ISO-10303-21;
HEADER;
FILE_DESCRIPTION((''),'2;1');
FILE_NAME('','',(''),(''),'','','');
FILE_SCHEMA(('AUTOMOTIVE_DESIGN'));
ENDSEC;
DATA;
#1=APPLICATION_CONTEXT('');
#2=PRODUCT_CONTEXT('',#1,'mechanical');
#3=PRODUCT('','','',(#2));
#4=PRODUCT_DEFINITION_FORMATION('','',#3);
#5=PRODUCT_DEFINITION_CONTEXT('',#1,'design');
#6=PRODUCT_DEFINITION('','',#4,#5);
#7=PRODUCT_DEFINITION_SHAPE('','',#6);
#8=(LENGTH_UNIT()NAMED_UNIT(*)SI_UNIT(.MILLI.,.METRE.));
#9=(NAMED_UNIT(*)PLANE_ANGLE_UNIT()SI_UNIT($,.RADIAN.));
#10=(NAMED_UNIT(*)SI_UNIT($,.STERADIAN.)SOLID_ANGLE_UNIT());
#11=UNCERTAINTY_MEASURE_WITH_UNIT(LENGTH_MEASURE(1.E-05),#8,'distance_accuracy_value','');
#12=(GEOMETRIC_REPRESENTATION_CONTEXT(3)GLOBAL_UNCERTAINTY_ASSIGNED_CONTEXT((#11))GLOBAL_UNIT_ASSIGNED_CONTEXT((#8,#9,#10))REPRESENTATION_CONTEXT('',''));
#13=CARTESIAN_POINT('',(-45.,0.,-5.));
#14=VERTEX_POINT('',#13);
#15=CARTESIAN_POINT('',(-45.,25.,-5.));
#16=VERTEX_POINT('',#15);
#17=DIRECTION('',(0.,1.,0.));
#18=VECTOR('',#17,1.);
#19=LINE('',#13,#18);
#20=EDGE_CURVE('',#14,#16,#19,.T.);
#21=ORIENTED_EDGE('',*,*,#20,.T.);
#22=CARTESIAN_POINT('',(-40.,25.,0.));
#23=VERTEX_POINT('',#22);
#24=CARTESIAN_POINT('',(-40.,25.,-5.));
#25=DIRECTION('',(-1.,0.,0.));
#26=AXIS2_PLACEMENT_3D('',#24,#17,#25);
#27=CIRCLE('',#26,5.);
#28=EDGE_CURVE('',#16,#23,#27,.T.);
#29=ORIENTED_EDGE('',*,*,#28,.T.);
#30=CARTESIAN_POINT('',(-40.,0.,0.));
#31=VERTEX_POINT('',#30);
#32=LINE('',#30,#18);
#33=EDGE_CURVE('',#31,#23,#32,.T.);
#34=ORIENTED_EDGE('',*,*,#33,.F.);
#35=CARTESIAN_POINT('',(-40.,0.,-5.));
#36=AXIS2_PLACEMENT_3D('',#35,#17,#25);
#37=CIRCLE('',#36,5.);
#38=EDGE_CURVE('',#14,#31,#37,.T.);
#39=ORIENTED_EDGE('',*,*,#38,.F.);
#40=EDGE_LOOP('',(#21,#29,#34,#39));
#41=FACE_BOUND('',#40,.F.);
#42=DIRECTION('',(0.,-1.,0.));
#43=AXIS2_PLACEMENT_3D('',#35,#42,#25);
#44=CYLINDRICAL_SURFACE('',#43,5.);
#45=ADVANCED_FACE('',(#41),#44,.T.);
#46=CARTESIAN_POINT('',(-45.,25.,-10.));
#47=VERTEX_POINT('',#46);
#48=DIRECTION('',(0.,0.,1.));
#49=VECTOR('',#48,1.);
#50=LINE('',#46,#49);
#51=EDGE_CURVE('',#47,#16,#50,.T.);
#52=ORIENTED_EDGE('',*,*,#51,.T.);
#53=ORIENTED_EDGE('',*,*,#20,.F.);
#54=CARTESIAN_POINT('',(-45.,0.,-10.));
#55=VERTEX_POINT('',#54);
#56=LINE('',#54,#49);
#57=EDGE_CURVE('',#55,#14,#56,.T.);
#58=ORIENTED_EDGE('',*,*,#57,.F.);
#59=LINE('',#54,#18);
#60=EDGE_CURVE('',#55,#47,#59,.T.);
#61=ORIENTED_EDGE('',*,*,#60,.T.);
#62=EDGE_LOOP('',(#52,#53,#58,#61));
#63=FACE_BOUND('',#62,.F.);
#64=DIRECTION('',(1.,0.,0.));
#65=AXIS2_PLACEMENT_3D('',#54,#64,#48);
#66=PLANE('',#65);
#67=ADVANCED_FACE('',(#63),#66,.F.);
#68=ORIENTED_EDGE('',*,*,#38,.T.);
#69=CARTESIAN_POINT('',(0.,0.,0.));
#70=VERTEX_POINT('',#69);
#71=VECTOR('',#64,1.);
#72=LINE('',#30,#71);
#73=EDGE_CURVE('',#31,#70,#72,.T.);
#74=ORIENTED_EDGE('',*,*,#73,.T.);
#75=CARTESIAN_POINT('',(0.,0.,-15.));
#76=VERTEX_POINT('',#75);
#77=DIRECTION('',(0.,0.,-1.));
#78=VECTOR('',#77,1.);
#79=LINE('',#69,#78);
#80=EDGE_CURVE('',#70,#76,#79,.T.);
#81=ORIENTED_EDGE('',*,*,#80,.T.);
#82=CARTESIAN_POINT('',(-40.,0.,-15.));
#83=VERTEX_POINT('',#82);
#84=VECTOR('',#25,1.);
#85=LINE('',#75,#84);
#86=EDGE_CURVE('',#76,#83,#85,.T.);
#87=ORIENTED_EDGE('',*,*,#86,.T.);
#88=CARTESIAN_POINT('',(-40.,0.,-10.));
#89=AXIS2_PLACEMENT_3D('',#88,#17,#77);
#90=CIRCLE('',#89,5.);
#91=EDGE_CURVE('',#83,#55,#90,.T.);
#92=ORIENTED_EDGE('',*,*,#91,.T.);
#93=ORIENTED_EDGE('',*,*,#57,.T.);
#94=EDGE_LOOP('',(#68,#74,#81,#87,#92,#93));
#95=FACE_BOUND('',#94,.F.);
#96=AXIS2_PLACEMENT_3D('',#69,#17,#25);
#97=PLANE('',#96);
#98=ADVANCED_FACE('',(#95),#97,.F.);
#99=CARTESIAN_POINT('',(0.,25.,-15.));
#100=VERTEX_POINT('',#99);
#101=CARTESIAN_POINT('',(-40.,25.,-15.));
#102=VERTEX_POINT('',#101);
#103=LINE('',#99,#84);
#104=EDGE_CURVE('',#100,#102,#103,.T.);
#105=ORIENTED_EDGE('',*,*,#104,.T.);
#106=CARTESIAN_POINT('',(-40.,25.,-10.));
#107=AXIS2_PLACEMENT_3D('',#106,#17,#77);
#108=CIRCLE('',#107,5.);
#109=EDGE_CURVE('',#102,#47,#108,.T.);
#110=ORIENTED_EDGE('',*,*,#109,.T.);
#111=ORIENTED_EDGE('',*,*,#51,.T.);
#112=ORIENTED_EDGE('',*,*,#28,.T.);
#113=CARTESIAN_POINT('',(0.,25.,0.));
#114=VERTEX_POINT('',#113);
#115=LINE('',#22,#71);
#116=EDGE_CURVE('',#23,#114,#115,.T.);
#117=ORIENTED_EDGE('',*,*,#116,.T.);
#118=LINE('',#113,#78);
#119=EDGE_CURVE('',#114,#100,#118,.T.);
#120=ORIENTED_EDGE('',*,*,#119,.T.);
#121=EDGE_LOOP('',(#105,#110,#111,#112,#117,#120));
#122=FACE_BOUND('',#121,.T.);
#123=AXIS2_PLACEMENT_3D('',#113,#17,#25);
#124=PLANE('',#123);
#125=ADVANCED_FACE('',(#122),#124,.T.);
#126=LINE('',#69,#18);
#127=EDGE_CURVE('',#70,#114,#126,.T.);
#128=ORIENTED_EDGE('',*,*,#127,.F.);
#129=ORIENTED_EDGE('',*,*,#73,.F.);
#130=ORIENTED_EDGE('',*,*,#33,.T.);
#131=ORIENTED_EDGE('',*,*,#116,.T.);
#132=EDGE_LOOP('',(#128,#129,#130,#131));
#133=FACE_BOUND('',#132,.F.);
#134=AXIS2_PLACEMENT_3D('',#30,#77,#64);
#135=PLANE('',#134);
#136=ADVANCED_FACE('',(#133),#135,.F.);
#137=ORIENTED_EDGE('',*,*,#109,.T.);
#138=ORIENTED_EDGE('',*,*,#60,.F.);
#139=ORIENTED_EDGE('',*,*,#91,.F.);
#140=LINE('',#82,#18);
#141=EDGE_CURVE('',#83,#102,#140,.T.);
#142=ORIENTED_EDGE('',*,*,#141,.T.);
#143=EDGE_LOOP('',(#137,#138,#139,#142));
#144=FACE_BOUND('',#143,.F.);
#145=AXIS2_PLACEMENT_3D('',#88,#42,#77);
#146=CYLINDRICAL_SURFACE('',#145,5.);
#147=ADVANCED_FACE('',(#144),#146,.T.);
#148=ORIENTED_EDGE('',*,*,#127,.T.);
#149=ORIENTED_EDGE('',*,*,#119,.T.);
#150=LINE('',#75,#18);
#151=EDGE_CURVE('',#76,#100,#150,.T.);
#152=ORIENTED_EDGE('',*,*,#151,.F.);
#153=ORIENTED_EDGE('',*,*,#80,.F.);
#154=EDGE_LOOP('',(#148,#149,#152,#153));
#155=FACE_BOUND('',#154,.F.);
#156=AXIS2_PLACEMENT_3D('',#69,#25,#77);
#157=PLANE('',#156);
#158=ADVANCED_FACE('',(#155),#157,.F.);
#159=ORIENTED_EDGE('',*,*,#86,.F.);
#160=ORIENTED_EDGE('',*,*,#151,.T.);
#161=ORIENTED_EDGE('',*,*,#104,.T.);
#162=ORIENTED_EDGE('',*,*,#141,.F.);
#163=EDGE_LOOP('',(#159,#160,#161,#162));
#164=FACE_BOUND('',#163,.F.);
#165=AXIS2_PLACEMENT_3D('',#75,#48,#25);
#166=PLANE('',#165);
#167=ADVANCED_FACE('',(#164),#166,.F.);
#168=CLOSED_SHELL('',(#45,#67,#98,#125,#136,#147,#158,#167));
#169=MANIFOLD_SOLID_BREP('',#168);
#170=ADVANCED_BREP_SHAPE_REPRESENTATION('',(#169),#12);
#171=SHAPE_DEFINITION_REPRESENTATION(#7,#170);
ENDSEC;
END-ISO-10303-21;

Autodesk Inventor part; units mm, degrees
ref_plane "YZ Plane" through (0, 0, 0) normal (1, 0, 0) x (0, 1, 0)
ref_plane "XZ Plane" through (0, 0, 0) normal (0, 1, 0) x (-1, 0, 0)
ref_plane "XY Plane" through (0, 0, 0) normal (0, 0, 1) x (1, 0, 0)
sketch "Náčrt1" plane through (0, 0, 0) normal (0, 1, 0) x (-1, 0, 0)
  line L0 (40, 0) -> (0, 0)
  line L1 (0, 0) -> (0, -15)
  line L2 (0, -15) -> (40, -15)
  arc A0 (40, -15) -> (45, -10) centre (40, -10) ccw
  line L3 (45, -10) -> (45, -5)
  arc A1 (45, -5) -> (40, 0) centre (40, -5) ccw
  dimension "d0" = 15
  dimension "d1" = 45
  dimension "d2" = 5
extrude "Vysunutí1" add sketch "Náčrt1" along normal blind 25
properties part number "2s lipo"
